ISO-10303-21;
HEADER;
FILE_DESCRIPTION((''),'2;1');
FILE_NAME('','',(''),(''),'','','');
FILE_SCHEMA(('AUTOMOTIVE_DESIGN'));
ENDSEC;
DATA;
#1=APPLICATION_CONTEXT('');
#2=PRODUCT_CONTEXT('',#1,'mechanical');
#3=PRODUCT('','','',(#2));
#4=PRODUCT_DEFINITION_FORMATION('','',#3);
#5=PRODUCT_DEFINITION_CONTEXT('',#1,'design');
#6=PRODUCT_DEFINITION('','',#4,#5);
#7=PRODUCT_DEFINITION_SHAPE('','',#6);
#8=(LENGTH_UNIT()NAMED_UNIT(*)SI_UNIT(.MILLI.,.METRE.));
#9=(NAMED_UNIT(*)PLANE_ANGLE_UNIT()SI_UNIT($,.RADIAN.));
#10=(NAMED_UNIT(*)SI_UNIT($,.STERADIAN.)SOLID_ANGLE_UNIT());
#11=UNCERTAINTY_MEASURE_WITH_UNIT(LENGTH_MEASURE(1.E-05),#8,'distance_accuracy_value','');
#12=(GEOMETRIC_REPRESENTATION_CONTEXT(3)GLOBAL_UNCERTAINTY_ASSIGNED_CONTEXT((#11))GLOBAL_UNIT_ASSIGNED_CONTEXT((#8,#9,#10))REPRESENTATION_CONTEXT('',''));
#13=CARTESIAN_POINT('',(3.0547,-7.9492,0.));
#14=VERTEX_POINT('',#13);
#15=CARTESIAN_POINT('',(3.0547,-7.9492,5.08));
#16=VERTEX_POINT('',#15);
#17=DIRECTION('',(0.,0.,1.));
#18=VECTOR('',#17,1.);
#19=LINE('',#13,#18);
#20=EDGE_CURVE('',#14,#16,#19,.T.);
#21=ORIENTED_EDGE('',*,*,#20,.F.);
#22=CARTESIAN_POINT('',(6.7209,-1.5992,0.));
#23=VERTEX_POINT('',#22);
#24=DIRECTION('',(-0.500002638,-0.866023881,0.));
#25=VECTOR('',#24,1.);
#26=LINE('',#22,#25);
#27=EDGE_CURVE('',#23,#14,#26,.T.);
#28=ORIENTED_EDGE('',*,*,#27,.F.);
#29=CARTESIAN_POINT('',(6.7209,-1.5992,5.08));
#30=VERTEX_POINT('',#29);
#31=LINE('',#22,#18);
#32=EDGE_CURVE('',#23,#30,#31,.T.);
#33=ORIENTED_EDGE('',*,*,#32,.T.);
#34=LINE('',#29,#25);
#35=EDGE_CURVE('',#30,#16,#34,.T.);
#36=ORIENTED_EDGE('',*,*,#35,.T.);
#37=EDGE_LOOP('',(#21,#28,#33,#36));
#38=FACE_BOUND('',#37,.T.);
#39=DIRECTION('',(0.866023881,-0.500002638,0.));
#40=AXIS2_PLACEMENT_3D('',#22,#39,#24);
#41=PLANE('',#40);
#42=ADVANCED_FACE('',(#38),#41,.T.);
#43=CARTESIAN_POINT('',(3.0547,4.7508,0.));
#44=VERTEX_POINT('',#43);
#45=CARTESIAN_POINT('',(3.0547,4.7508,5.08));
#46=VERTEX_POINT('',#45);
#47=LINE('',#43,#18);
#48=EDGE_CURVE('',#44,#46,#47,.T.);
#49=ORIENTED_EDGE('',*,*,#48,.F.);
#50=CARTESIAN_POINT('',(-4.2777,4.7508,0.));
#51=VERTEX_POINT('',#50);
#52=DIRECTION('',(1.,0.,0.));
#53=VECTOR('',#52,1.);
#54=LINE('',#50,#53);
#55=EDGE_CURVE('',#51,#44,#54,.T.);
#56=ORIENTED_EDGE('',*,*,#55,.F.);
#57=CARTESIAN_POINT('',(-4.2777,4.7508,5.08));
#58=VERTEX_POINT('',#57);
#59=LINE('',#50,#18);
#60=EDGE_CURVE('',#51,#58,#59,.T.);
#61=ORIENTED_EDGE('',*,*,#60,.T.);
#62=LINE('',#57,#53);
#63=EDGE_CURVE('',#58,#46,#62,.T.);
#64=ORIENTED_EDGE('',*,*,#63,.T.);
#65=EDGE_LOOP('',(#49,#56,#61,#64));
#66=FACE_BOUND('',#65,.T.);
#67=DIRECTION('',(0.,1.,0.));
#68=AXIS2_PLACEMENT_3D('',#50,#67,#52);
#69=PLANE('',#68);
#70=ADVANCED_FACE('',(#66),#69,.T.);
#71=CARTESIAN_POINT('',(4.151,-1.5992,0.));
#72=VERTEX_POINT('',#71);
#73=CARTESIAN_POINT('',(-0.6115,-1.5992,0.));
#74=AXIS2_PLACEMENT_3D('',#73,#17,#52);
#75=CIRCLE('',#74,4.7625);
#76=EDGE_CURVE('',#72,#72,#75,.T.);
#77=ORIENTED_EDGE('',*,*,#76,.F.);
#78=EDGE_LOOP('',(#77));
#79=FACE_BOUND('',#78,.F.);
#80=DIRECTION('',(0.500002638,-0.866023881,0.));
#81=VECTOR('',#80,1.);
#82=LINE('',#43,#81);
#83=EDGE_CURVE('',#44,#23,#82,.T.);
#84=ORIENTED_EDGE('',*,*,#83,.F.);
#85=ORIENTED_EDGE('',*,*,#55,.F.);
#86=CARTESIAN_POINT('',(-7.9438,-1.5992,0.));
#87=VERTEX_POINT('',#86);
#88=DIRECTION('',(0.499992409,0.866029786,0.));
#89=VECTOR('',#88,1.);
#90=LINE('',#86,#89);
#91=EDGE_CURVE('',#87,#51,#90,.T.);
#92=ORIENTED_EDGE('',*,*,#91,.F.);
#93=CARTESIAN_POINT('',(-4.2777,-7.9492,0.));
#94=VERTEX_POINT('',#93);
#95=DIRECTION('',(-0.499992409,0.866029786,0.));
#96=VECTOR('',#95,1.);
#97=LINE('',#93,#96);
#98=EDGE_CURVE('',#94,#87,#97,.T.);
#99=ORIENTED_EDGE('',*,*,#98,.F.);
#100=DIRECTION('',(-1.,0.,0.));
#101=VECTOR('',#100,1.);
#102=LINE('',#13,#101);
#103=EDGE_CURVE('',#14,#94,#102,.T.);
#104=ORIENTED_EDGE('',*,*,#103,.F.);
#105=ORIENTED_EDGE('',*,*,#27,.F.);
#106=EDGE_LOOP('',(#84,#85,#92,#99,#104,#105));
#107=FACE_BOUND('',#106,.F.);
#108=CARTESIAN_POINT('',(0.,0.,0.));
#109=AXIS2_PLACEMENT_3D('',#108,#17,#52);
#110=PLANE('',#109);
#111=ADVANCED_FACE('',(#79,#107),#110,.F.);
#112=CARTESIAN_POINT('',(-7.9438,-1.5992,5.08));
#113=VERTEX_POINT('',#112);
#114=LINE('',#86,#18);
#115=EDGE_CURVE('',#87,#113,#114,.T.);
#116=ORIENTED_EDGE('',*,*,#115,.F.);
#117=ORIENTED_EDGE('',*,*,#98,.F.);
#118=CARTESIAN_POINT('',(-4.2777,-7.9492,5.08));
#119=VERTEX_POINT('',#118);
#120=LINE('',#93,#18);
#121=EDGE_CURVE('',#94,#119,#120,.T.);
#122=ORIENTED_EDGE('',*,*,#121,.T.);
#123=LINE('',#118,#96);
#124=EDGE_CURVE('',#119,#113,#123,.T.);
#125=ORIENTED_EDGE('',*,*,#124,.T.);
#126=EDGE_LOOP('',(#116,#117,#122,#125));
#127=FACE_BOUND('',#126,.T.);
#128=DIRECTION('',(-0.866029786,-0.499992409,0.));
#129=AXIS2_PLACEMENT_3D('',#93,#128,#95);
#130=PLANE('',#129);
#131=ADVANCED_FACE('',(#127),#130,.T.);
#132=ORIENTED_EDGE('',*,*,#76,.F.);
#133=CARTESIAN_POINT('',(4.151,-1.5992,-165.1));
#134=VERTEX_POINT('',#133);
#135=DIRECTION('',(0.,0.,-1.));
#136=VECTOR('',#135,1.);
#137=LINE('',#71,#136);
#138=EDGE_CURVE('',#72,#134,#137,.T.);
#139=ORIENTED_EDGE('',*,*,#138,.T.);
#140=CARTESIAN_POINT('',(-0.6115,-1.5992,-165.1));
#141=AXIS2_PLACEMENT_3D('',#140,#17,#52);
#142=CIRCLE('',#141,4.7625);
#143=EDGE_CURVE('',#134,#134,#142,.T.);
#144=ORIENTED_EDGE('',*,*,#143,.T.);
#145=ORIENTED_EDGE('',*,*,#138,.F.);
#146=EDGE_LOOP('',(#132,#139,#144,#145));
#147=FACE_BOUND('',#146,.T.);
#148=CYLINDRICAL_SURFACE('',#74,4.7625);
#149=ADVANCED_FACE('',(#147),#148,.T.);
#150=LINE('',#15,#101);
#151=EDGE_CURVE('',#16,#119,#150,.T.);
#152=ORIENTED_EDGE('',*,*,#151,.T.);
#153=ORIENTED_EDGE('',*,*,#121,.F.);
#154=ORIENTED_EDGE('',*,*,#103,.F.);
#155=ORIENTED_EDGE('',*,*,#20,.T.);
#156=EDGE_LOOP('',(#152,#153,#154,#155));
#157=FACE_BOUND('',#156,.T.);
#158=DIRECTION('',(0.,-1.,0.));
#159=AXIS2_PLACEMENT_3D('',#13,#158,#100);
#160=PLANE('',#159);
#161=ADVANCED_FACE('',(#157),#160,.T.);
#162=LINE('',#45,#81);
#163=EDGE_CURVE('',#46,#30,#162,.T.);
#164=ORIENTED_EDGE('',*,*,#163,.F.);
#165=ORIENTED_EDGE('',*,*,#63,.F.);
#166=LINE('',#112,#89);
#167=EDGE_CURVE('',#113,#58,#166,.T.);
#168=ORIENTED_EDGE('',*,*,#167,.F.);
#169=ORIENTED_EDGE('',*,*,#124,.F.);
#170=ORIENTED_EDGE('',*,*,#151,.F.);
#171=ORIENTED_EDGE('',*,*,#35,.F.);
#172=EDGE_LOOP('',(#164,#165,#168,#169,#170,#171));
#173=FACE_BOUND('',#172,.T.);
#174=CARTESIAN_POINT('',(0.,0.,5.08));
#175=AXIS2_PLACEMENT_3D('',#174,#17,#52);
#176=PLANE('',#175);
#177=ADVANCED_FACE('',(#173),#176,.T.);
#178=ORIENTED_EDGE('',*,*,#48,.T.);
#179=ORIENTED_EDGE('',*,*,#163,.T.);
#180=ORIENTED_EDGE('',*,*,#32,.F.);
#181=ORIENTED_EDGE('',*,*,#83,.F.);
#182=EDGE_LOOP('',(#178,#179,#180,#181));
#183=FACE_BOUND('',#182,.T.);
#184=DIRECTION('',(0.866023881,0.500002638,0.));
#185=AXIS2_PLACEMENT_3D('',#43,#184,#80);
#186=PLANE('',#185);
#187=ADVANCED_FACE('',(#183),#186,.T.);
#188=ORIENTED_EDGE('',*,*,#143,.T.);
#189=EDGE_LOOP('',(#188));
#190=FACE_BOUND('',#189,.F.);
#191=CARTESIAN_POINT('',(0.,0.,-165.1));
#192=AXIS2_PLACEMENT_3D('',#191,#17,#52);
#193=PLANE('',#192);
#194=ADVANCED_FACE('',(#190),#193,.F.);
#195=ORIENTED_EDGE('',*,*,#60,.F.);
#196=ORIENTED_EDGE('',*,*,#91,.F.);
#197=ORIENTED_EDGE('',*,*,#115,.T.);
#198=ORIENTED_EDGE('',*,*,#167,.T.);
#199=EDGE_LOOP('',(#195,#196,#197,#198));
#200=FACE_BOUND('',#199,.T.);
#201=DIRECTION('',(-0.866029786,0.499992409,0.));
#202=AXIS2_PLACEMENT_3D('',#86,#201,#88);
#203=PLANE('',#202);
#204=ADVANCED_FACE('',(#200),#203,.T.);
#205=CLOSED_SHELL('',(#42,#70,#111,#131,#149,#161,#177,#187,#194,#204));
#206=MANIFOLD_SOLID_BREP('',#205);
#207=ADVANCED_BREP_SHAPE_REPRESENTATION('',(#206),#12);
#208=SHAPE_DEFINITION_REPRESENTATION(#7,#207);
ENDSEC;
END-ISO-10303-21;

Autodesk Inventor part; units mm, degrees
ref_plane "YZ Plane" through (0, 0, 0) normal (1, 0, 0) x (0, 1, 0)
ref_plane "XZ Plane" through (0, 0, 0) normal (0, 1, 0) x (-1, 0, 0)
ref_plane "XY Plane" through (0, 0, 0) normal (0, 0, 1) x (1, 0, 0)
sketch "Sketch1" plane through (0, 0, 0) normal (0, 0, 1) x (1, 0, 0)
  circle A0 centre (-0.6115, -1.5992) radius 4.7625
  line L0 (-7.9438, -1.5992) -> (-4.2777, 4.7508)
  line L1 (-4.2777, 4.7508) -> (3.0547, 4.7508)
  line L2 (3.0547, 4.7508) -> (6.7209, -1.5992)
  line L3 (6.7209, -1.5992) -> (3.0547, -7.9492)
  line L4 (3.0547, -7.9492) -> (-4.2777, -7.9492)
  line L5 (-4.2777, -7.9492) -> (-7.9438, -1.5992)
  dimension "d10" = 12.7
  dimension "d20" = 9.525
extrude "Extrusion1" add sketch "Sketch1" against normal blind 165.1 contours A0
extrude "Extrusion2" add sketch "Sketch1" along normal blind 5.08 contours A0 | L0 L1 L2 L3 L4 L5
thread "Thread2" size "3/8-16 UNC" class "2A" standard "ANSI Unified Screw Threads" length 25.4
properties part number "HW-00072"
